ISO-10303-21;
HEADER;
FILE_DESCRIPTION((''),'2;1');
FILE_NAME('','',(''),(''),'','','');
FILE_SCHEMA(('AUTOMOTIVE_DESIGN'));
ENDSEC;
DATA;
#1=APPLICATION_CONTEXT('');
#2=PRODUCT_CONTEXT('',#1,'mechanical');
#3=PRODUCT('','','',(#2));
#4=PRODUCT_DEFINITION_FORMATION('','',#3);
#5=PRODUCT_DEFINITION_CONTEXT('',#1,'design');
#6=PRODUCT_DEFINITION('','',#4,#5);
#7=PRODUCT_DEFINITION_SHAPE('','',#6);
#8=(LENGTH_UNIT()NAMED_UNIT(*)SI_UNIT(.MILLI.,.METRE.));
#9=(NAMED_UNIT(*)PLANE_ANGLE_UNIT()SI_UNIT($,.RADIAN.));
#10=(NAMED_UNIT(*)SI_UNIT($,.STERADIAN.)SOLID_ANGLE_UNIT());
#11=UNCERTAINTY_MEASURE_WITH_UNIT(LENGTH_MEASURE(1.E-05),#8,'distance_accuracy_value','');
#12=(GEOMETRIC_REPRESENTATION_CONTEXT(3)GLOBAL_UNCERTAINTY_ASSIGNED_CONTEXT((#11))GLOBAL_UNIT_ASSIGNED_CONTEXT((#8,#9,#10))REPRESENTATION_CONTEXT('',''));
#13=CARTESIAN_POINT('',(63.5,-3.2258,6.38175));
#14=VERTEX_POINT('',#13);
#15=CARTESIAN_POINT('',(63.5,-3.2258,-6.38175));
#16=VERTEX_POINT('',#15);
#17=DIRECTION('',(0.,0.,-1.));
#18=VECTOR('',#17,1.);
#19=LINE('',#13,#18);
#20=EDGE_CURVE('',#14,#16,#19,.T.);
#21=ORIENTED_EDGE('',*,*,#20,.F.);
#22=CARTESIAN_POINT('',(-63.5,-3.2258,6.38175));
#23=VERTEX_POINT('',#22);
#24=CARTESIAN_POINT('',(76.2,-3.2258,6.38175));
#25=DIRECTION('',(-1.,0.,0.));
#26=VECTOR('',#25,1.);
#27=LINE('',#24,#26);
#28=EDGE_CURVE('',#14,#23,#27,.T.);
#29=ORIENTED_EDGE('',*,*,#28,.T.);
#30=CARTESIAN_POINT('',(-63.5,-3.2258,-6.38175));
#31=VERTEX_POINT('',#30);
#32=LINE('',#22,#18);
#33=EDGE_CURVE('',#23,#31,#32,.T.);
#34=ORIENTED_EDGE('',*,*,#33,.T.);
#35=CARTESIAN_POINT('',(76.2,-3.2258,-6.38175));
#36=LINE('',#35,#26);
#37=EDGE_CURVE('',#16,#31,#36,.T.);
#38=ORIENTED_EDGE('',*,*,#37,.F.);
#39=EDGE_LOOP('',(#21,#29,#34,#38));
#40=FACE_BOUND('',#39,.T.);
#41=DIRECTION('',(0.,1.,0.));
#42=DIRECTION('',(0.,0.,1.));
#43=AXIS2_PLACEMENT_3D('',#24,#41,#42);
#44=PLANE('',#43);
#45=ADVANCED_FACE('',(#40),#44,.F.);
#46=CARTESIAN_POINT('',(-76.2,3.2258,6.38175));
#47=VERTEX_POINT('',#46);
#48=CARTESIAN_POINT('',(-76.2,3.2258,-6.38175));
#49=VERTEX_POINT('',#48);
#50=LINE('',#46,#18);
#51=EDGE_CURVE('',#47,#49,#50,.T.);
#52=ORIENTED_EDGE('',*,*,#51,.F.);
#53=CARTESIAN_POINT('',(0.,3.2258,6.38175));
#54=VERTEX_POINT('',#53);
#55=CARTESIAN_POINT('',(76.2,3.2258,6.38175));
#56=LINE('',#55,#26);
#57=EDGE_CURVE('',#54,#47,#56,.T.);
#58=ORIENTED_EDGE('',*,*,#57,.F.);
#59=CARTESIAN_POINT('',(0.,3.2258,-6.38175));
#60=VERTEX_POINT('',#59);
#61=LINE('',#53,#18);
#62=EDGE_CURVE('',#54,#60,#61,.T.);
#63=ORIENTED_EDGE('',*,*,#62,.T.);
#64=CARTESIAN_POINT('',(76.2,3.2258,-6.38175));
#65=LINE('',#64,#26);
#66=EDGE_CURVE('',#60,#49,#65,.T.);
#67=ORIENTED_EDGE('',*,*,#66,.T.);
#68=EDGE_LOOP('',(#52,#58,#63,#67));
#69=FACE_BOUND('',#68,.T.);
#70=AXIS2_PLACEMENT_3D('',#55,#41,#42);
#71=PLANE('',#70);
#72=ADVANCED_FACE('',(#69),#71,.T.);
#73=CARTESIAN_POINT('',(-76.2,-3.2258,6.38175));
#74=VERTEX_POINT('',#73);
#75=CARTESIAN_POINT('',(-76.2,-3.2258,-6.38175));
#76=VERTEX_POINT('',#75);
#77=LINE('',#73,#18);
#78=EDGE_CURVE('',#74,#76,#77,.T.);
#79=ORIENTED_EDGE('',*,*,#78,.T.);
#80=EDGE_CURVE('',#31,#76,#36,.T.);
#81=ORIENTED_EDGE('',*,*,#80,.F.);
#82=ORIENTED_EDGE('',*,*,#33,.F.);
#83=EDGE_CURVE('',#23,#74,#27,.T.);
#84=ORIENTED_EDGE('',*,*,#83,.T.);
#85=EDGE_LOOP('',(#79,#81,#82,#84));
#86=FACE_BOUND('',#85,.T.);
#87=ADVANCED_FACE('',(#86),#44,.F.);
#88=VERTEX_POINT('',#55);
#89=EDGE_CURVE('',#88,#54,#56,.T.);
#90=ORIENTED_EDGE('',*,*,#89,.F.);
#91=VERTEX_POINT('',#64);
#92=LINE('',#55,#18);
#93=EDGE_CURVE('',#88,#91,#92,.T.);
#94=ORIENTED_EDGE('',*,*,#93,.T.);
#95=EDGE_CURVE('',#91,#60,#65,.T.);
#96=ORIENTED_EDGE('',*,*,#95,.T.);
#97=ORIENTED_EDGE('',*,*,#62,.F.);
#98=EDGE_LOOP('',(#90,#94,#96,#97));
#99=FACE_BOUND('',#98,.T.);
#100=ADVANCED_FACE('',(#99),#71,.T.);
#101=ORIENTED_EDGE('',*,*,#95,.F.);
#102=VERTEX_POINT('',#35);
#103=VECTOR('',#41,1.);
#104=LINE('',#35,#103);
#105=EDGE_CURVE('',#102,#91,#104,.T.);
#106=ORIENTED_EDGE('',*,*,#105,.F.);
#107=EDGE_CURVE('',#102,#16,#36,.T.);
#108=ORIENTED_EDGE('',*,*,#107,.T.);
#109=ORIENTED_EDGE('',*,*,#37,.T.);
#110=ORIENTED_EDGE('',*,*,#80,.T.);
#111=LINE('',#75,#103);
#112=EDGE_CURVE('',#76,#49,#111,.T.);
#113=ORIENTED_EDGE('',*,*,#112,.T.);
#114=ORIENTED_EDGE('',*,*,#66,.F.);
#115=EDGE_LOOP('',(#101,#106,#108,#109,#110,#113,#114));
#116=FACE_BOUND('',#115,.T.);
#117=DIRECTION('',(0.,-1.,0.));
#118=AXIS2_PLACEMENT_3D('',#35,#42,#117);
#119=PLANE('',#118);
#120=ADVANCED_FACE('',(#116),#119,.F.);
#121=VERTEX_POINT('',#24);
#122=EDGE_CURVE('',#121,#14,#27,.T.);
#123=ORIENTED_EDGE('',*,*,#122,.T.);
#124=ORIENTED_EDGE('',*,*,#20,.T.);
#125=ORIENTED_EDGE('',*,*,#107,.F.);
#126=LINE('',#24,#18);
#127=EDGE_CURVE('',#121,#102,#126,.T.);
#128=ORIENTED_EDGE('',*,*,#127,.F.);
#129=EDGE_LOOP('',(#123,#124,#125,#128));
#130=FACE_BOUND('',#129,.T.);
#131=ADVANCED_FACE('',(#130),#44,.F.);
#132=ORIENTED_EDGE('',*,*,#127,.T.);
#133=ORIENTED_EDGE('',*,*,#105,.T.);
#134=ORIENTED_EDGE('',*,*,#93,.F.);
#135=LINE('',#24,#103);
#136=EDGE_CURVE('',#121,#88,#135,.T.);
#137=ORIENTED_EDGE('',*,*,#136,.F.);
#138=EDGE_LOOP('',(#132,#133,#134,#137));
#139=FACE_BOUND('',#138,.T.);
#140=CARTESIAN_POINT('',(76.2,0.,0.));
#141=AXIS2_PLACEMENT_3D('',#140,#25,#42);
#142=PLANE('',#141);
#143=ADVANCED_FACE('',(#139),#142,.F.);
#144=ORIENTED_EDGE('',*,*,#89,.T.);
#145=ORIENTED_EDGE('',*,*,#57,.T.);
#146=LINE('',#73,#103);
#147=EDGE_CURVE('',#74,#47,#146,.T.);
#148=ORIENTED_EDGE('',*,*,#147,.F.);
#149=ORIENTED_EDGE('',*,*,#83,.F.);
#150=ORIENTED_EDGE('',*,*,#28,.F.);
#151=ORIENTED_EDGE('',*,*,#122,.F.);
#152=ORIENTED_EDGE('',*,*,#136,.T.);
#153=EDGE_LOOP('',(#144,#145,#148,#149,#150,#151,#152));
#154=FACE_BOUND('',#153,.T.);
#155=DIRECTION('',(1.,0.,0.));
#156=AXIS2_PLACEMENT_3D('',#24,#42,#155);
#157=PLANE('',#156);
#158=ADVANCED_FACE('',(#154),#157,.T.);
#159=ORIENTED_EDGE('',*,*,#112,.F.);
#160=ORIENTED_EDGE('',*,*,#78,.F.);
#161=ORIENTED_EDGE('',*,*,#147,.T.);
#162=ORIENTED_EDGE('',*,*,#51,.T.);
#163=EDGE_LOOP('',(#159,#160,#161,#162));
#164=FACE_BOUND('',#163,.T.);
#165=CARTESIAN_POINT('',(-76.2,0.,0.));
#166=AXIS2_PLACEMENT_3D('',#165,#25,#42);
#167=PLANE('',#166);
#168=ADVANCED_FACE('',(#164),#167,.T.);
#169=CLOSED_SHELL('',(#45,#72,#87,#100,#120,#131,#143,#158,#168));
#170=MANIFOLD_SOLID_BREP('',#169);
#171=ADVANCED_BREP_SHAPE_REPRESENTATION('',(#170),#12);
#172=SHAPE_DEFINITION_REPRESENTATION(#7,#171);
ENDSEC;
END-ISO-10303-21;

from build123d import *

# Parameters (mm, degrees)
SKETCH1_W           = 12.7635
SKETCH1_H           = 6.4516
BOSS_EXTRUDE1_DEPTH = 76.2


with BuildPart() as part:
    # Sketch1 → Boss-Extrude1 (new body, symmetric)
    with BuildSketch(Plane(origin=(0, 0, 0), x_dir=(0, 0, -1), z_dir=(1, 0, 0))):
        Rectangle(SKETCH1_W, SKETCH1_H)
    extrude(amount=BOSS_EXTRUDE1_DEPTH, both=True)


solid = part.part
